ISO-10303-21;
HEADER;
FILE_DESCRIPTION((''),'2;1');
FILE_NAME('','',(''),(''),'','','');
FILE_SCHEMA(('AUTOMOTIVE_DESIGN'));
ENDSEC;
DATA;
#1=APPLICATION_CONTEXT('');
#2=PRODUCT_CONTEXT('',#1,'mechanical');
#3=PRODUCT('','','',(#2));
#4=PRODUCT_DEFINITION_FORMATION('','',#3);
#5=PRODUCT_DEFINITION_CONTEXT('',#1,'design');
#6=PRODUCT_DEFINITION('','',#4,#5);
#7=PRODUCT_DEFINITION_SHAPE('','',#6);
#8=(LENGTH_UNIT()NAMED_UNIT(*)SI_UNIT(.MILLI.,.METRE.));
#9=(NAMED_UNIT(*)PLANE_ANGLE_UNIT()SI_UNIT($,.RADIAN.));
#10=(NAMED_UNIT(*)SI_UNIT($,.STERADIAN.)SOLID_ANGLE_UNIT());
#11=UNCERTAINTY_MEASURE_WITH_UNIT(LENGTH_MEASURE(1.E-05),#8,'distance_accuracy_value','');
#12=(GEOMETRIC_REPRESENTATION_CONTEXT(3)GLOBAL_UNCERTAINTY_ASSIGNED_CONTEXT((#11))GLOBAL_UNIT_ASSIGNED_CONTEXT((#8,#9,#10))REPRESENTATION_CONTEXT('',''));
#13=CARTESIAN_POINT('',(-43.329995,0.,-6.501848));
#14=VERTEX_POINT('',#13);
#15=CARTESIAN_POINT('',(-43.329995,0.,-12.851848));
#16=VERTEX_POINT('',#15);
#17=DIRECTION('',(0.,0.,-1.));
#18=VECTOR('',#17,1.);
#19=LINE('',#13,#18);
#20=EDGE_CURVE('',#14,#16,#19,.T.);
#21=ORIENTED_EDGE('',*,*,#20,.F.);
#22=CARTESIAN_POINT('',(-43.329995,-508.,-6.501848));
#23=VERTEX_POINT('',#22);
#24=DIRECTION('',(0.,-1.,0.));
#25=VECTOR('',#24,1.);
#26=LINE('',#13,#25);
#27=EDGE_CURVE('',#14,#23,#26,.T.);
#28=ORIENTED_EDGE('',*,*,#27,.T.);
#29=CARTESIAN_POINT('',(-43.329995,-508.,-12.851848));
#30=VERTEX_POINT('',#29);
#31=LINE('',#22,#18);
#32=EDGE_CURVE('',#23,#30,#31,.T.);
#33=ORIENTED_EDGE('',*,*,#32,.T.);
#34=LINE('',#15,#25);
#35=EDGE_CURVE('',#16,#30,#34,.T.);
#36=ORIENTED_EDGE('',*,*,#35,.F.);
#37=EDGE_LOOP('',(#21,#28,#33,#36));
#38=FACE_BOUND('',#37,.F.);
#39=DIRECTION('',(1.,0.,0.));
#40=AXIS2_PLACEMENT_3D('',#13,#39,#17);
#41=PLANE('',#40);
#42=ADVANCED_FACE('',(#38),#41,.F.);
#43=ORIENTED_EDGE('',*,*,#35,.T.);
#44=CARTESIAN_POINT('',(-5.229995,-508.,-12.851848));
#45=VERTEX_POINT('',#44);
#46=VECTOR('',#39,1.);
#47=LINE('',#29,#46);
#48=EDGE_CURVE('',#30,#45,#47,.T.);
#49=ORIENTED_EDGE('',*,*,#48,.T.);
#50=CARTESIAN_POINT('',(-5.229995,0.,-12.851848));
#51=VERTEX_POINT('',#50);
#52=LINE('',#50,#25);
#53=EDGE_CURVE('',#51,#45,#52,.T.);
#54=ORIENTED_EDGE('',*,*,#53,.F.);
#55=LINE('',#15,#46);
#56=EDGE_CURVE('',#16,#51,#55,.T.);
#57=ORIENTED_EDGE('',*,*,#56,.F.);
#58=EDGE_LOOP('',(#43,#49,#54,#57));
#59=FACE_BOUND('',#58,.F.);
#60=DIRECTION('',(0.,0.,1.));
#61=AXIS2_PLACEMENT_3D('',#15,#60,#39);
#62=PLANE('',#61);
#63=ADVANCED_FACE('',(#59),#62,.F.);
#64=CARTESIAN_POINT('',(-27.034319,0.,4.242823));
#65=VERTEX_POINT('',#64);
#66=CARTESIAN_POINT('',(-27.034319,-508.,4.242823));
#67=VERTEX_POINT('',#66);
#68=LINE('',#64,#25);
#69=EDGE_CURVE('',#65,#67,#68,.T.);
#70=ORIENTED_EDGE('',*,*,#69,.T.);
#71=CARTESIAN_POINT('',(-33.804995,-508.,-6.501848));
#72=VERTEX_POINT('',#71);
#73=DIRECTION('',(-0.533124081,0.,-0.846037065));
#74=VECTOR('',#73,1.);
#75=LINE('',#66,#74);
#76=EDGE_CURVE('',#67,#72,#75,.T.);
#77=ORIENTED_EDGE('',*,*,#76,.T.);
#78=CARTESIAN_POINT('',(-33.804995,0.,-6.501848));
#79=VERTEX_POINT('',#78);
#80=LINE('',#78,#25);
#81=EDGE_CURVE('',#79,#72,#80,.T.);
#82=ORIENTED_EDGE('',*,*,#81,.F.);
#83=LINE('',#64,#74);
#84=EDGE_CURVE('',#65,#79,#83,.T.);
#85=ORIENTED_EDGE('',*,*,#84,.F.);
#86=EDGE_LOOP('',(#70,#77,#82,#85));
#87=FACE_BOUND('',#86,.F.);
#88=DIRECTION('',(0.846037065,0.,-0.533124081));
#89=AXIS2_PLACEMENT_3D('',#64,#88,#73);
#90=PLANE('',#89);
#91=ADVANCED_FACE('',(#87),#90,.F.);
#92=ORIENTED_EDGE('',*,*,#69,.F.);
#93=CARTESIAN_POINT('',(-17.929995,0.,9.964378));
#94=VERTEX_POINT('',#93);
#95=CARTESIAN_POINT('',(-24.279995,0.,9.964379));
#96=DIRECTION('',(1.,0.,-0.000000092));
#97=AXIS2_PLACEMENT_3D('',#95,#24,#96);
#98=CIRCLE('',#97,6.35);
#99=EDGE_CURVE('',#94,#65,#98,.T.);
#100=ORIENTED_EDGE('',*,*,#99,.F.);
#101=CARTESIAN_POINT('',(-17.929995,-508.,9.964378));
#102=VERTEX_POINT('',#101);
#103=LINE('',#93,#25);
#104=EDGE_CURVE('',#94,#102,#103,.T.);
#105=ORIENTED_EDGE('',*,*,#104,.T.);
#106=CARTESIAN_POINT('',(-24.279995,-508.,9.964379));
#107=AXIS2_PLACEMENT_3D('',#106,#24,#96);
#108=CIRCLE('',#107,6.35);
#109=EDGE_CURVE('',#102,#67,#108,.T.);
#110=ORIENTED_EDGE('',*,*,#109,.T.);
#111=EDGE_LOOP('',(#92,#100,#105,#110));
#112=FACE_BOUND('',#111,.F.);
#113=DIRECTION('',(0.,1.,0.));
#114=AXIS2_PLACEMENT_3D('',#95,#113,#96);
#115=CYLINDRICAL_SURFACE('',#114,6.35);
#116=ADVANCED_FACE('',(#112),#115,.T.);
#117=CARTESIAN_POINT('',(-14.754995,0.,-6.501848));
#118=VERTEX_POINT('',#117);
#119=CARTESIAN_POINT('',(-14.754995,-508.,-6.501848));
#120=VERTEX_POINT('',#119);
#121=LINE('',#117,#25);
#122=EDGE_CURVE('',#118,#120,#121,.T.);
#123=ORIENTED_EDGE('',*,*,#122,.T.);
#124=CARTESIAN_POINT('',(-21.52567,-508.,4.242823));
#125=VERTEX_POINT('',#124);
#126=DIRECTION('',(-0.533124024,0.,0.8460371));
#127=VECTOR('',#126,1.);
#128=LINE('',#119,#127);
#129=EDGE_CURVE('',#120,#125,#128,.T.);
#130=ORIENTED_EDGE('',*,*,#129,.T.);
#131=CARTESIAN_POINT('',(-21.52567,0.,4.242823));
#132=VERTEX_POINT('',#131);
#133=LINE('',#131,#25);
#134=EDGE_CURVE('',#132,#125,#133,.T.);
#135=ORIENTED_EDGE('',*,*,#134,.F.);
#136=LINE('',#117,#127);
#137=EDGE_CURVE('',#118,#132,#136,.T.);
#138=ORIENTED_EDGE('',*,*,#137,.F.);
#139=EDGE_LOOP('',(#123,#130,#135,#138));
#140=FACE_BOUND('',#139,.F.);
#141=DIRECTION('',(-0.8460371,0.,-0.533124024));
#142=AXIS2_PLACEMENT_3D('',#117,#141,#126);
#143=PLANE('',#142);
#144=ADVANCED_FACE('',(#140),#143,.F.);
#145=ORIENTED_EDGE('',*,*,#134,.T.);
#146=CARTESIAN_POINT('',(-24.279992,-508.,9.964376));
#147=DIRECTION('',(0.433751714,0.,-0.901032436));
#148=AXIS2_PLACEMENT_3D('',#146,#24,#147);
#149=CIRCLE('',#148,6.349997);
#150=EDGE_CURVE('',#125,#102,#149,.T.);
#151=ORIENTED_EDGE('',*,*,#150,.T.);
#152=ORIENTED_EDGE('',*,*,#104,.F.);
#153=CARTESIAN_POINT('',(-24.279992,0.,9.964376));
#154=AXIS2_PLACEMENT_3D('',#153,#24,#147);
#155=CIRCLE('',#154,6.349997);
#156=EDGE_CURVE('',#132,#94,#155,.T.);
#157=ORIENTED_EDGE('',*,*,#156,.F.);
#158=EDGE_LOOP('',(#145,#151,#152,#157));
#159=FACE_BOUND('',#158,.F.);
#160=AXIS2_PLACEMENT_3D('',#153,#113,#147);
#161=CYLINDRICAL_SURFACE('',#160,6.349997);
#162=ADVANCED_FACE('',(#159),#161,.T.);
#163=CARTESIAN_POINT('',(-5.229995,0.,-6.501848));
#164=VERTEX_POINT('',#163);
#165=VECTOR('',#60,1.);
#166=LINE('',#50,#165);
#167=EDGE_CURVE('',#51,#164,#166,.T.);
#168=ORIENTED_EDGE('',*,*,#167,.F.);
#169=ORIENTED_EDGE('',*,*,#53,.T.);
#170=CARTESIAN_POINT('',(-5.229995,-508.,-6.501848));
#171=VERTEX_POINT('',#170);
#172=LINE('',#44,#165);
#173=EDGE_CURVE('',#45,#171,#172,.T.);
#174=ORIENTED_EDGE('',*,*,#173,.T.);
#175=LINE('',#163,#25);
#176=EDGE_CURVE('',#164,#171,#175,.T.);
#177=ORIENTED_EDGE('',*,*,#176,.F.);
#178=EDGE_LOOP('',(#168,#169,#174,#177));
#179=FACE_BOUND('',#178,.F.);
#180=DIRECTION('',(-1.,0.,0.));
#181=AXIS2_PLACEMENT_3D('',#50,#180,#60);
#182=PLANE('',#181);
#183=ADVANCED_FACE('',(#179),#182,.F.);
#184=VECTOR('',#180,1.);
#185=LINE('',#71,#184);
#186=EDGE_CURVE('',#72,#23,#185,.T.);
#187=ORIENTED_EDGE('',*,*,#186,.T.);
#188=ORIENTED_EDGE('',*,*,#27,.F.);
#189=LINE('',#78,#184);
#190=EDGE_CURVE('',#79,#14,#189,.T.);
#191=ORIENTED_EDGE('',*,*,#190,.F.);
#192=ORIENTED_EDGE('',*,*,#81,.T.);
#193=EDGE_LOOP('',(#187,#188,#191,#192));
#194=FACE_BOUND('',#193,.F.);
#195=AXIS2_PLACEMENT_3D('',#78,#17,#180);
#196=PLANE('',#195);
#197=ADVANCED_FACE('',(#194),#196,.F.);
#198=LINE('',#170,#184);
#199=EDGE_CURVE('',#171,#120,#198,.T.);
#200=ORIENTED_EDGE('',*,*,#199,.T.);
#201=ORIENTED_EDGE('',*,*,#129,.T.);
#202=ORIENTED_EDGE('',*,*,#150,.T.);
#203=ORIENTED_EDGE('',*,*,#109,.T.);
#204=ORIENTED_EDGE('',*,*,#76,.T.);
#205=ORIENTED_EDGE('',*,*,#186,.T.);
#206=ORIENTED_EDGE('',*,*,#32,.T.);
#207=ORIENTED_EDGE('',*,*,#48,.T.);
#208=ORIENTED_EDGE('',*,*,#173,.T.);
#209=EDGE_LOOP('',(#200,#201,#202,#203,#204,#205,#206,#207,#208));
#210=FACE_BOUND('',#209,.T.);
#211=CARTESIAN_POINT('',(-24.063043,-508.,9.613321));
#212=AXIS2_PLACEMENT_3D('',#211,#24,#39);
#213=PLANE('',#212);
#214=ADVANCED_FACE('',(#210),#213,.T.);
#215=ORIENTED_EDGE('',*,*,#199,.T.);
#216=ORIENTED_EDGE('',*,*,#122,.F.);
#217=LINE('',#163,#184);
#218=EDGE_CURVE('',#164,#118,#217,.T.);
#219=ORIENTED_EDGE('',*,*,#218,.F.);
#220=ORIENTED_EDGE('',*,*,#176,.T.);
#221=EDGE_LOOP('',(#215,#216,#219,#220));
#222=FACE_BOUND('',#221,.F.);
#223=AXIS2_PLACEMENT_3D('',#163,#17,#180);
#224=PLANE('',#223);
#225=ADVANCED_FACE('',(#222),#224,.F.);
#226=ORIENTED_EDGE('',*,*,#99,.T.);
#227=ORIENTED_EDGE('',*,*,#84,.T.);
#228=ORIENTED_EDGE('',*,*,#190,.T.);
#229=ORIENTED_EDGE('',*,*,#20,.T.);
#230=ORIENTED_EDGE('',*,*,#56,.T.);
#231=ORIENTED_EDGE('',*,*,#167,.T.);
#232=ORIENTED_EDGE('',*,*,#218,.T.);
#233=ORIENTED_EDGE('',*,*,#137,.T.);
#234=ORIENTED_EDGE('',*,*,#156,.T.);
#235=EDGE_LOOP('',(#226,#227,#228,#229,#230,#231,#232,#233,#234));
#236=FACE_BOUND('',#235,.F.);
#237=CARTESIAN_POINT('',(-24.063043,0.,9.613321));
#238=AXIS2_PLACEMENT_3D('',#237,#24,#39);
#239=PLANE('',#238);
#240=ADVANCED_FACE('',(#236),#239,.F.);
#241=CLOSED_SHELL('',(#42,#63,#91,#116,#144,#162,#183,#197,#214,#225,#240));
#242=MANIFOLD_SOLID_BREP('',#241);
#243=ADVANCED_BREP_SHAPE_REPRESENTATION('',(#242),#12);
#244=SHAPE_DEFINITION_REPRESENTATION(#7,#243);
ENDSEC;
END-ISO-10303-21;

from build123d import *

# Parameters (mm, degrees)
F1_DEPTH = 508


with BuildPart() as f1:
    # F0 (on Front) → F1 (new body)
    with BuildSketch(Plane.XZ):
        with BuildLine():
            ThreePointArc((-21.52567, 4.242823), (-18.903543, 6.585581), (-17.929995, 9.964378))
            ThreePointArc((-17.929995, 9.964378), (-27.658792, 15.34083), (-27.034319, 4.242823))
            ThreePointArc((-27.034319, 4.242823), (-24.279995, 3.614378), (-21.52567, 4.242823))
        make_face()
        with BuildLine():
            ThreePointArc((-21.52567, 4.242823), (-24.279995, 3.614378), (-27.034319, 4.242823))
            Line((-27.034319, 4.242823), (-33.804995, -6.501848))
            Line((-33.804995, -6.501848), (-24.279995, -6.501848))
            Line((-24.279995, -6.501848), (-14.754995, -6.501848))
            Line((-14.754995, -6.501848), (-21.52567, 4.242823))
        make_face()
        Polygon((-24.279995, -6.501848), (-33.804995, -6.501848), (-43.329995, -6.501848), (-43.329995, -12.851848), (-5.229995, -12.851848), (-5.229995, -6.501848), (-14.754995, -6.501848), align=None)
    extrude(amount=F1_DEPTH)


solid = f1.part
